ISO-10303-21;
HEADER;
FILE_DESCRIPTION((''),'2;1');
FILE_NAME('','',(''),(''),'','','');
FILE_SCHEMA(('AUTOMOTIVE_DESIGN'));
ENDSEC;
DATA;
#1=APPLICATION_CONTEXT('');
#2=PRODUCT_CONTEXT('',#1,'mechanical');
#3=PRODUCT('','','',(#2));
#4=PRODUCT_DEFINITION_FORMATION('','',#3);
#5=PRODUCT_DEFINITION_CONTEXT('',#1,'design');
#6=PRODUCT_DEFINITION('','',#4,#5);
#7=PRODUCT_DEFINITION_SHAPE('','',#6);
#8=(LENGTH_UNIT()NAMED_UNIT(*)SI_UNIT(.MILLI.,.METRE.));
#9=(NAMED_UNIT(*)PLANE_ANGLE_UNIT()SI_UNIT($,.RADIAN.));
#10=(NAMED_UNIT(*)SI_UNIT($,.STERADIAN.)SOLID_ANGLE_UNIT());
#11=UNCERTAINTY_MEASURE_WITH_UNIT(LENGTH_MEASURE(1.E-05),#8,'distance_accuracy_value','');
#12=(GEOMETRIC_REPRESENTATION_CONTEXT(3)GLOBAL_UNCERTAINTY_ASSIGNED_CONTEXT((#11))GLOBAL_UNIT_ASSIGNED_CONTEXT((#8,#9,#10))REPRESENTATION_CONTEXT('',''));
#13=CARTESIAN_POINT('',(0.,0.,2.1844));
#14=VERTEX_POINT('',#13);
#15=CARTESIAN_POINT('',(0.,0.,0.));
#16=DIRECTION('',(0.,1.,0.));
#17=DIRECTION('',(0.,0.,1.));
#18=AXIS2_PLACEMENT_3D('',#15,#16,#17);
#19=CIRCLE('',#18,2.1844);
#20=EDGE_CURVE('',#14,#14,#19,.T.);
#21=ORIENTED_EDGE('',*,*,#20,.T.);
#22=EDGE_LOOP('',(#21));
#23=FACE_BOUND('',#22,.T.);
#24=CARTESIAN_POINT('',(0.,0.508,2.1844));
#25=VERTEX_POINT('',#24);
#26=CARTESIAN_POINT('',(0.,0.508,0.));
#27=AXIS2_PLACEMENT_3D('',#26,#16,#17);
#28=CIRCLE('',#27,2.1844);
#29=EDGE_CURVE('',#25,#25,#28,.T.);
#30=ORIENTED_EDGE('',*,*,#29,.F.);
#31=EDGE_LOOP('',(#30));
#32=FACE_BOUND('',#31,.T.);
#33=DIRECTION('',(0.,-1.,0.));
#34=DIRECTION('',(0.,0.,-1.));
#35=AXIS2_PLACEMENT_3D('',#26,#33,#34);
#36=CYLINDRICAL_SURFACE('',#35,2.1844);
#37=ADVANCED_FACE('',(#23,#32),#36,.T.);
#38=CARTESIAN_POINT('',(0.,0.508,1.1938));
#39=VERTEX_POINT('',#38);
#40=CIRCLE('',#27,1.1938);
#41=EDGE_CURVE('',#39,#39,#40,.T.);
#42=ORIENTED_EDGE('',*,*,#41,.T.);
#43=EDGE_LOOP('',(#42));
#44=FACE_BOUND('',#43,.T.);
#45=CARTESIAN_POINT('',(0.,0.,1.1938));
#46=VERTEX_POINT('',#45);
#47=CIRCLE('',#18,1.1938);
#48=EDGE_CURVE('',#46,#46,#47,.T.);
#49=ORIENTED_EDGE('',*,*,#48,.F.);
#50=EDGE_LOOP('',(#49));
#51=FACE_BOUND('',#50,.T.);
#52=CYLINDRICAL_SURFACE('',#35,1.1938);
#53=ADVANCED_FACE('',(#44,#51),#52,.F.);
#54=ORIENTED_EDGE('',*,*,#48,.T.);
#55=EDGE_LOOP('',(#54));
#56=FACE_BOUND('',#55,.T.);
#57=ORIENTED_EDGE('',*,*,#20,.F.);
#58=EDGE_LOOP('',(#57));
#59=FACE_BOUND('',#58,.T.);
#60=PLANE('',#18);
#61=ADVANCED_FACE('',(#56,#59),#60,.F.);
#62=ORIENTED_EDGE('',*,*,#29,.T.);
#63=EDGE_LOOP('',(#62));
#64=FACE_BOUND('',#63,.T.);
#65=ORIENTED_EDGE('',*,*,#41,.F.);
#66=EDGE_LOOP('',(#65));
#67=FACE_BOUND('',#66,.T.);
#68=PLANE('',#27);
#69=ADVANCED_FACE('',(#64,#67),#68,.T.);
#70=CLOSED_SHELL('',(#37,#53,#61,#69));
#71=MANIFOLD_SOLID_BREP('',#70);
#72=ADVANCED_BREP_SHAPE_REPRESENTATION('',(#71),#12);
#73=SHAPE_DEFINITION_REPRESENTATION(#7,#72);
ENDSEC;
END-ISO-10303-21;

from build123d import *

# Parameters (mm, degrees)
SKETCH1_R           = 2.1844
SKETCH1_R_2         = 1.1938
BOSS_EXTRUDE1_DEPTH = 0.508


with BuildPart() as part:
    # Sketch1 → Boss-Extrude1 (new body)
    with BuildSketch(Plane(origin=(0, 0, 0), x_dir=(1, 0, 0), z_dir=(0, 1, 0))):
        with Locations(Location((0, 0, 0), (0, 0, 270))):  # turned: the seam where the file's is
            Circle(SKETCH1_R)
        with Locations(Location((0, 0, 0), (0, 0, 270))):  # turned: the seam where the file's is
            Circle(SKETCH1_R_2, mode=Mode.SUBTRACT)
    extrude(amount=BOSS_EXTRUDE1_DEPTH)


solid = part.part
